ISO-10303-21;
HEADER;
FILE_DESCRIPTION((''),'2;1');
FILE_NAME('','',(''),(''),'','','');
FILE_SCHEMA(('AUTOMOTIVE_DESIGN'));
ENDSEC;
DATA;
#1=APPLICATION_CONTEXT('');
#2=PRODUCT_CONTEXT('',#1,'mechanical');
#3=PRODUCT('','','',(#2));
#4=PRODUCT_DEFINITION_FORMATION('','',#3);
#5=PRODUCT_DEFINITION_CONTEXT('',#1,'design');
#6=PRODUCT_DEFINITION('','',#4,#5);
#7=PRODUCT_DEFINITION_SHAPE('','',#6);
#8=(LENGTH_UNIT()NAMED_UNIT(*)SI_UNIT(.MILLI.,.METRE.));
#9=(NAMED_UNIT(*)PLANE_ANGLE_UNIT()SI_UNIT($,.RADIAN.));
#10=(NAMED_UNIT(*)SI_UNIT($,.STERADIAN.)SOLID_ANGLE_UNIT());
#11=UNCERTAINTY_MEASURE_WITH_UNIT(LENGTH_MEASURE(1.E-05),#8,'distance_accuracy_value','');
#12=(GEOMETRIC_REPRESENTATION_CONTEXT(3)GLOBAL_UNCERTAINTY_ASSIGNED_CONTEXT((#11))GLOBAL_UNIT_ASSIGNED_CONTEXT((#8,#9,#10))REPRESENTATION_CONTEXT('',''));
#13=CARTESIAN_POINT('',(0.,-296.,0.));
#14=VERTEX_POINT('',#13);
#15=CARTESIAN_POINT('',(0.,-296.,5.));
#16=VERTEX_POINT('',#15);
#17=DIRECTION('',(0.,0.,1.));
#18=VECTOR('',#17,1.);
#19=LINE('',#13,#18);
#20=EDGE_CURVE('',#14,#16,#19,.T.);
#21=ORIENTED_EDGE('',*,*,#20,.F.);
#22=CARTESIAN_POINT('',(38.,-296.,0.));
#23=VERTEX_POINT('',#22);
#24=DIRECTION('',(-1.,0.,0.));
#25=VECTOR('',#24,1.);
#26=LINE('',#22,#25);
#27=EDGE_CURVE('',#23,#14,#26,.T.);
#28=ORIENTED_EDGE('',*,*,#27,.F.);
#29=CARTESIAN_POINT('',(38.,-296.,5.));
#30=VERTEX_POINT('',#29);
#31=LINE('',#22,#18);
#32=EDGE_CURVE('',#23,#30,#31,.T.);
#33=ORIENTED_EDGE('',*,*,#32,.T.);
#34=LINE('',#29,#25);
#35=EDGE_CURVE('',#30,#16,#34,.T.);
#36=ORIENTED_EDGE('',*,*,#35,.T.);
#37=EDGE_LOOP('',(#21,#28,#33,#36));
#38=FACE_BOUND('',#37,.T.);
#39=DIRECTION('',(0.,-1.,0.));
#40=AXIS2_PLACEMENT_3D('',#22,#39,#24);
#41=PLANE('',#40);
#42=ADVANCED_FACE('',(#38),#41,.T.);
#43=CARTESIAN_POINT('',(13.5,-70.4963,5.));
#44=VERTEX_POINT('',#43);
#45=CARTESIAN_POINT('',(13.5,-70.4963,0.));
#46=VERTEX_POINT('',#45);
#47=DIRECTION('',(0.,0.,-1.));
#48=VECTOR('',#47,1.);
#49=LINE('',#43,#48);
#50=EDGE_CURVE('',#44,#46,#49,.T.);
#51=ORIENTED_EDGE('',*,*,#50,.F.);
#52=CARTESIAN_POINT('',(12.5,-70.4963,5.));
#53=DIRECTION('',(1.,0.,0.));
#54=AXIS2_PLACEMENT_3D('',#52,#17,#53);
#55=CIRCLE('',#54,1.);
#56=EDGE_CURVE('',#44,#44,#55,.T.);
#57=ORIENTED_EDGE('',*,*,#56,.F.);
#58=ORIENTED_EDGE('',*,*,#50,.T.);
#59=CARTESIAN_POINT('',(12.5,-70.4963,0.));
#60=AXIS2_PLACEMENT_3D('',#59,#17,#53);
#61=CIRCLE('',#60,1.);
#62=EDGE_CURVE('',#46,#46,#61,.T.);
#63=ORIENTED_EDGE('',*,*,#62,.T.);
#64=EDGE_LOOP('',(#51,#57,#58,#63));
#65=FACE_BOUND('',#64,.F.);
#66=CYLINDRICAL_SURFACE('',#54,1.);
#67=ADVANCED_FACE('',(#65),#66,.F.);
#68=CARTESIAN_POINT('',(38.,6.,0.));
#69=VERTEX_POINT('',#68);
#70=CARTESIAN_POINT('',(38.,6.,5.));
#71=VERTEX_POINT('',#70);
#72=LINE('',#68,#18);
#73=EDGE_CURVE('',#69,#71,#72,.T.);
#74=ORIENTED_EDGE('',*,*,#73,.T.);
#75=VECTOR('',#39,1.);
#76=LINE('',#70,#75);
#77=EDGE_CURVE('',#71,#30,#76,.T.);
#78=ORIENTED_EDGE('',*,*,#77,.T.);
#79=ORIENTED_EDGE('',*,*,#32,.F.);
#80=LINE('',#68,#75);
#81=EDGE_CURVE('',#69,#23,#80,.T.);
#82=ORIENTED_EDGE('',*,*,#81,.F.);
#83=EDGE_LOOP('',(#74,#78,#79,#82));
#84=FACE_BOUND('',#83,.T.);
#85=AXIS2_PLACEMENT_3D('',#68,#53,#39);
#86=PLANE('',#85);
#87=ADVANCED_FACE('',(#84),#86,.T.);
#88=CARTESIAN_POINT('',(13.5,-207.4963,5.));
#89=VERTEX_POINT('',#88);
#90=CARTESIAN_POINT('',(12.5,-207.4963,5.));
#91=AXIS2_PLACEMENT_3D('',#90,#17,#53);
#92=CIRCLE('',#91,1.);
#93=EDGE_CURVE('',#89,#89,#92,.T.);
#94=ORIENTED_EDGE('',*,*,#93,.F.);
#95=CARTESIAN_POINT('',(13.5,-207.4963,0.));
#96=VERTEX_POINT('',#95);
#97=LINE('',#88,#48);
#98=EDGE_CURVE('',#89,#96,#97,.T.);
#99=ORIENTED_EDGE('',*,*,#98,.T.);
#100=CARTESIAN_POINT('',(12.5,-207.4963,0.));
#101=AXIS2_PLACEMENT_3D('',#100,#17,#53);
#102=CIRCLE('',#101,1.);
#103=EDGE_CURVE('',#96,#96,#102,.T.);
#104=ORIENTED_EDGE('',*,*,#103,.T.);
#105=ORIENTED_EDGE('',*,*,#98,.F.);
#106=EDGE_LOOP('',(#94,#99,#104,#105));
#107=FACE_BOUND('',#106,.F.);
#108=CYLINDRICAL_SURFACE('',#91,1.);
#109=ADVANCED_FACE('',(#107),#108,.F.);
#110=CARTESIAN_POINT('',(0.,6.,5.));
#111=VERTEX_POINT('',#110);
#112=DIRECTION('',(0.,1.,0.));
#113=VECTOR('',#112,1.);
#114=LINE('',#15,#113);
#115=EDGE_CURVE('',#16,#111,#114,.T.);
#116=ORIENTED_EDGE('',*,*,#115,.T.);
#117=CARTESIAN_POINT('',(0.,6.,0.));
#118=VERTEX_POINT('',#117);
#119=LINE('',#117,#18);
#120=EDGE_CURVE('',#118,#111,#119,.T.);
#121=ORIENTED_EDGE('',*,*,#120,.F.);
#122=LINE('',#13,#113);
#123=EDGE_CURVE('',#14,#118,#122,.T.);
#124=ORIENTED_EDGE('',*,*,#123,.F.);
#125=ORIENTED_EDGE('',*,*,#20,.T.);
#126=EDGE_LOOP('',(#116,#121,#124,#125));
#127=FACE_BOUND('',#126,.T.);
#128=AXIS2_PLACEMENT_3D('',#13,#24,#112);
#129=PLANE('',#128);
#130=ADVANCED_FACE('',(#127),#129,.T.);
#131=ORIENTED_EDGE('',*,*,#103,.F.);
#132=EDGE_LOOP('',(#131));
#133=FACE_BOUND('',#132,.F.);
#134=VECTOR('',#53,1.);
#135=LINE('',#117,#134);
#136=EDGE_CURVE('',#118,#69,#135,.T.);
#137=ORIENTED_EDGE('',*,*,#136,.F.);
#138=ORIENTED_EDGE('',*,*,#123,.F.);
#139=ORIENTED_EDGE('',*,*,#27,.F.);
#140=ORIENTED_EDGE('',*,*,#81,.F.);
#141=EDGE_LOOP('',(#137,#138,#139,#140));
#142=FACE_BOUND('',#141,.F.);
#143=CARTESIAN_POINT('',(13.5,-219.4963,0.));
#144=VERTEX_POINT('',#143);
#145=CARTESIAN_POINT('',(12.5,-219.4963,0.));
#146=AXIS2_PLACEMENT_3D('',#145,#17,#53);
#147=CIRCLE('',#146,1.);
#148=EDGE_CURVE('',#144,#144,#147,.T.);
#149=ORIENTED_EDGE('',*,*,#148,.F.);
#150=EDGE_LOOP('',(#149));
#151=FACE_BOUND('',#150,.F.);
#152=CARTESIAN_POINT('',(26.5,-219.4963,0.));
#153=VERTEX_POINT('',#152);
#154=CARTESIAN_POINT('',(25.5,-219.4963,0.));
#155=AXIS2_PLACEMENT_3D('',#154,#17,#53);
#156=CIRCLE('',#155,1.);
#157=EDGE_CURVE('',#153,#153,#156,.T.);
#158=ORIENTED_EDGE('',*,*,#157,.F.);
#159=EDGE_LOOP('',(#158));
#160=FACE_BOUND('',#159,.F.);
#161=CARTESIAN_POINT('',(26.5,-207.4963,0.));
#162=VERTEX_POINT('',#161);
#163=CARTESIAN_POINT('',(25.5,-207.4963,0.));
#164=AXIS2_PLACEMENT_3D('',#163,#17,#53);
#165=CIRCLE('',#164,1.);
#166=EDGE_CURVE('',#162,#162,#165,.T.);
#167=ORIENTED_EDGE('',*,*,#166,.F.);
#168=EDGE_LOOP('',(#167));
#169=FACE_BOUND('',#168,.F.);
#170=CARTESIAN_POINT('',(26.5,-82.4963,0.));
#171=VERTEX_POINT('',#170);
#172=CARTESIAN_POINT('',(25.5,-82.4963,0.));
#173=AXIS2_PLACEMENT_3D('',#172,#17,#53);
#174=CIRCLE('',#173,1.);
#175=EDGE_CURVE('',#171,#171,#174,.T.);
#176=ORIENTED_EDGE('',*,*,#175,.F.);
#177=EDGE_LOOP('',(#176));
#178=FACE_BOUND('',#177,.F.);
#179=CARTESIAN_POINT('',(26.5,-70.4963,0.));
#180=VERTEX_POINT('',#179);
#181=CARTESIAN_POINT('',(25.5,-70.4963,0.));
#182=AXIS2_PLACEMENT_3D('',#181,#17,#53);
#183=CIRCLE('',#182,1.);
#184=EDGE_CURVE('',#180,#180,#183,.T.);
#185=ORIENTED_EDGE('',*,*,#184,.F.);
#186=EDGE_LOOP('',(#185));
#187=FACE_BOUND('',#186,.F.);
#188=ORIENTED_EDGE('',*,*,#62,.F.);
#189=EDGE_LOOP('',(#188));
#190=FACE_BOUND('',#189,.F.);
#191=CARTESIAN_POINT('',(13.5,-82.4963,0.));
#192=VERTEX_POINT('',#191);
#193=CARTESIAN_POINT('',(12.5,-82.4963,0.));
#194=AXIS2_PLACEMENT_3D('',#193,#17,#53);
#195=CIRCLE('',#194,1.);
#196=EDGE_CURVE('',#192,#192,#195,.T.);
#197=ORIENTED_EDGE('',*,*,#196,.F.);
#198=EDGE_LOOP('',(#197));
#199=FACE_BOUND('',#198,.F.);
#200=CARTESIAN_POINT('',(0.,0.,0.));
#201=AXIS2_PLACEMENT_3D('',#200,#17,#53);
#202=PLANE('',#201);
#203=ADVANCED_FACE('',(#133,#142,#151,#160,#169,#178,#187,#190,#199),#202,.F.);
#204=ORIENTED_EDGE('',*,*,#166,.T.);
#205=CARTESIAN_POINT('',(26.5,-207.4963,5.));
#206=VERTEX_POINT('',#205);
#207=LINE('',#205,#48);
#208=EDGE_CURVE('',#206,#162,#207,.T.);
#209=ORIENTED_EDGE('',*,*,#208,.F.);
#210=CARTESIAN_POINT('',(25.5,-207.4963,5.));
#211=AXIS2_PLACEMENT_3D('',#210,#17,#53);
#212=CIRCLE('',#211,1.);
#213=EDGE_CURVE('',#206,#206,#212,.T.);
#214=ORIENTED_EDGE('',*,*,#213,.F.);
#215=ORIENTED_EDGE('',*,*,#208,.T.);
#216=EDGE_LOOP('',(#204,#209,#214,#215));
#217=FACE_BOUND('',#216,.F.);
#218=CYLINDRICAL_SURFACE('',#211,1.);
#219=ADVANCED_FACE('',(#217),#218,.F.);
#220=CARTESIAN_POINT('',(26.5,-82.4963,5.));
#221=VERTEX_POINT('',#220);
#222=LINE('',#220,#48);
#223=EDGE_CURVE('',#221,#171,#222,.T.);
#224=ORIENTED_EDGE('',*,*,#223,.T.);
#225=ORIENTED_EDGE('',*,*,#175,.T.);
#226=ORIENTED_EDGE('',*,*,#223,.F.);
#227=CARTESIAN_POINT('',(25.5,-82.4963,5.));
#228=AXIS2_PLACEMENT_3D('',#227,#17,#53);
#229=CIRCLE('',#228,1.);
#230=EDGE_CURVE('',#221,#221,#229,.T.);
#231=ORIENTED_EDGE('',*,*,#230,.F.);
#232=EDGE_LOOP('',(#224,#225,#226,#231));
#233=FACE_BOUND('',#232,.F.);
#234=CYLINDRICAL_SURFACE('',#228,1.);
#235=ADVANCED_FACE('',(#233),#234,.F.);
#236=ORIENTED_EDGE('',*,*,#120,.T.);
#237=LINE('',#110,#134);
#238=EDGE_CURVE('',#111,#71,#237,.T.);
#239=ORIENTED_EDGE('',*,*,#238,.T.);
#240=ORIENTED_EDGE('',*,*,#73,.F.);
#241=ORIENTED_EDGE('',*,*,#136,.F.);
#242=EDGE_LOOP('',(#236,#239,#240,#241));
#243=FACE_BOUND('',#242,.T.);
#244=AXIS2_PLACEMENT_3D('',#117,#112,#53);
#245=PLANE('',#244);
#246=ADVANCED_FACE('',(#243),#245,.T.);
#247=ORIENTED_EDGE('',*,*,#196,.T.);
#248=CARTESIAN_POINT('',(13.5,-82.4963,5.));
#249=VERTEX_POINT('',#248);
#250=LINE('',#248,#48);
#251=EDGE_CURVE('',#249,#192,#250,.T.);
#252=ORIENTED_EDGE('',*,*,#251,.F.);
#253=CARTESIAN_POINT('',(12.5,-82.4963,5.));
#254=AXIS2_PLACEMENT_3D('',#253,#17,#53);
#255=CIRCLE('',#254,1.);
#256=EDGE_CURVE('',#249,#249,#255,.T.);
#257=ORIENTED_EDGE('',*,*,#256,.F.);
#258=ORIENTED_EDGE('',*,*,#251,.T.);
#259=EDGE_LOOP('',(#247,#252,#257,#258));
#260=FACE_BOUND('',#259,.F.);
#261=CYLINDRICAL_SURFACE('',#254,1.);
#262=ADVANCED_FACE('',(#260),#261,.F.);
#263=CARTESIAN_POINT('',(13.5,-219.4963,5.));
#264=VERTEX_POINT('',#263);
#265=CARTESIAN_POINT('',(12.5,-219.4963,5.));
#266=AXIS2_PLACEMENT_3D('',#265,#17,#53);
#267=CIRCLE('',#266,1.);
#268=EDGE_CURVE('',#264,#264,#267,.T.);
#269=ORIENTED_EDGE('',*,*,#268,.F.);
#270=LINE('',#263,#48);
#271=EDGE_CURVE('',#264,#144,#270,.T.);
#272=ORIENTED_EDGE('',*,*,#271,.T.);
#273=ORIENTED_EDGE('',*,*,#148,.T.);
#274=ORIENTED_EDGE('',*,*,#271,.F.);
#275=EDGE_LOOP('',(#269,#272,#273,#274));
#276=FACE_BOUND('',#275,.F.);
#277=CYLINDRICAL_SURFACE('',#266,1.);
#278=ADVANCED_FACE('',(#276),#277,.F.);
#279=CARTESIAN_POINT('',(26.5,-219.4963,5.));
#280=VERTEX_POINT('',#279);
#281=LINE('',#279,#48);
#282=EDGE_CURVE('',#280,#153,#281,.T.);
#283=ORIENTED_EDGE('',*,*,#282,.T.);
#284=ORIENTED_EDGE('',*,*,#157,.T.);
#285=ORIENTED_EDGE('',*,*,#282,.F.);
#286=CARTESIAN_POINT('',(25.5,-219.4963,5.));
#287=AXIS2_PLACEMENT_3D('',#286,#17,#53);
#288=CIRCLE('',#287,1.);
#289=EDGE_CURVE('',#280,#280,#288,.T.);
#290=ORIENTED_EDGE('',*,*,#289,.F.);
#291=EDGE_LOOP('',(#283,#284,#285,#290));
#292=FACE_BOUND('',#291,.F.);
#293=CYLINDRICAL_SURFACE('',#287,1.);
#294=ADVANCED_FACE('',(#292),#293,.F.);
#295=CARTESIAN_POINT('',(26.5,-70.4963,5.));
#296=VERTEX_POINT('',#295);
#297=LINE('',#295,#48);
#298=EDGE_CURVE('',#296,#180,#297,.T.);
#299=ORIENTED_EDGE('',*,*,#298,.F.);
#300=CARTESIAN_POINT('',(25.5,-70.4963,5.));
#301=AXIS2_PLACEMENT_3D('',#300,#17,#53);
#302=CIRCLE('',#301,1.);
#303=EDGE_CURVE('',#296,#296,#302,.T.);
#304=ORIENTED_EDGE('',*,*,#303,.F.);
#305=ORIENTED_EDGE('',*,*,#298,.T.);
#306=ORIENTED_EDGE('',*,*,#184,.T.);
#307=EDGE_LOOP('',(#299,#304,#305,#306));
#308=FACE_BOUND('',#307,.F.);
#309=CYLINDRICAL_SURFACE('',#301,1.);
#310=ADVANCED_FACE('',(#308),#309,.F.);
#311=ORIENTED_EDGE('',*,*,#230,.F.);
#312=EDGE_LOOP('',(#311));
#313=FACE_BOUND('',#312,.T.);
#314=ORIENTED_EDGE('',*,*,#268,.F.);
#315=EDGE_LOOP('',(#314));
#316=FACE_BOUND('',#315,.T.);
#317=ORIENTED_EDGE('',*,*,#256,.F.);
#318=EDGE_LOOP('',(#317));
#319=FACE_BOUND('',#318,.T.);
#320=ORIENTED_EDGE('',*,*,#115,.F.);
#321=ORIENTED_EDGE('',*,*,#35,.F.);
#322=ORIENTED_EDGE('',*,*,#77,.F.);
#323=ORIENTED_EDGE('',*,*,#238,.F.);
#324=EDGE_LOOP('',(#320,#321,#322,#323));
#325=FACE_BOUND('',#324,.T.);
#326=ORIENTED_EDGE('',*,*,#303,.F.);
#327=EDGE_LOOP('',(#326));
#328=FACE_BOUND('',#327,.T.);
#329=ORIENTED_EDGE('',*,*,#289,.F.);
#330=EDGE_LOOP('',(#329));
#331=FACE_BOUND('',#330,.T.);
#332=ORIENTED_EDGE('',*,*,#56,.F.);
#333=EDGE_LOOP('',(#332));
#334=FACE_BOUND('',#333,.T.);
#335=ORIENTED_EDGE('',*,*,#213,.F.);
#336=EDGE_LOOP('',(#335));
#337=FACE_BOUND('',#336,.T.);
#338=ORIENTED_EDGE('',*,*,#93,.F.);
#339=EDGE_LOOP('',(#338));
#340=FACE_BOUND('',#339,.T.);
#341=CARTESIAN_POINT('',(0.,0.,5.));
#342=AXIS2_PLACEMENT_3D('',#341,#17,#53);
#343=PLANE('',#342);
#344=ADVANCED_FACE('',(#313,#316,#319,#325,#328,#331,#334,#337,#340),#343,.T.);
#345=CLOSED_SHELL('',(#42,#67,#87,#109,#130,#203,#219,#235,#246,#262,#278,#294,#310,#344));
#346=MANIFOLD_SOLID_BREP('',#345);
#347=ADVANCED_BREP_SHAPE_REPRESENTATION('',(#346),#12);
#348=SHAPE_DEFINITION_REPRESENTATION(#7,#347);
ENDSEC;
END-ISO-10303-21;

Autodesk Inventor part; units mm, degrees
ref_plane "YZ Plane" through (0, 0, 0) normal (1, 0, 0) x (0, 1, 0)
ref_plane "XZ Plane" through (0, 0, 0) normal (0, 1, 0) x (-1, 0, 0)
ref_plane "XY Plane" through (0, 0, 0) normal (0, 0, 1) x (1, 0, 0)
sketch "Sketch1" plane through (0, 0, 0) normal (0, 0, 1) x (1, 0, 0)
  line L0 (0, 6) -> (50, 6) construction
  line L1 (50, -296) -> (0, -296) construction
  line L2 (0, 6) -> (38, 6)
  line L3 (38, 6) -> (38, -296)
  line L4 (38, -296) -> (0, -296)
  line L5 (0, -296) -> (0, 6)
  point P0 (19, -296)
  dimension "d2" = 38
extrude "Extrusion1" add sketch "Sketch1" along normal blind 5
sketch "Sketch3" plane through (0, 0, 5) normal (0, 0, 1) x (1, 0, 0)
  circle A0 centre (12.5, -82.4963) radius 1 projected
  circle A1 centre (25.5, -82.4963) radius 1 projected
  circle A2 centre (12.5, -70.4963) radius 1 projected
  circle A3 centre (25.5, -70.4963) radius 1 projected
  circle A4 centre (25.5, -219.4963) radius 1 projected
  circle A5 centre (12.5, -219.4963) radius 1 projected
  circle A6 centre (12.5, -207.4963) radius 1 projected
  circle A7 centre (25.5, -207.4963) radius 1 projected
  point P0 (0, 0)
extrude "Extrusion2" cut sketch "Sketch3" against normal through all
properties part number "bottomplate"
